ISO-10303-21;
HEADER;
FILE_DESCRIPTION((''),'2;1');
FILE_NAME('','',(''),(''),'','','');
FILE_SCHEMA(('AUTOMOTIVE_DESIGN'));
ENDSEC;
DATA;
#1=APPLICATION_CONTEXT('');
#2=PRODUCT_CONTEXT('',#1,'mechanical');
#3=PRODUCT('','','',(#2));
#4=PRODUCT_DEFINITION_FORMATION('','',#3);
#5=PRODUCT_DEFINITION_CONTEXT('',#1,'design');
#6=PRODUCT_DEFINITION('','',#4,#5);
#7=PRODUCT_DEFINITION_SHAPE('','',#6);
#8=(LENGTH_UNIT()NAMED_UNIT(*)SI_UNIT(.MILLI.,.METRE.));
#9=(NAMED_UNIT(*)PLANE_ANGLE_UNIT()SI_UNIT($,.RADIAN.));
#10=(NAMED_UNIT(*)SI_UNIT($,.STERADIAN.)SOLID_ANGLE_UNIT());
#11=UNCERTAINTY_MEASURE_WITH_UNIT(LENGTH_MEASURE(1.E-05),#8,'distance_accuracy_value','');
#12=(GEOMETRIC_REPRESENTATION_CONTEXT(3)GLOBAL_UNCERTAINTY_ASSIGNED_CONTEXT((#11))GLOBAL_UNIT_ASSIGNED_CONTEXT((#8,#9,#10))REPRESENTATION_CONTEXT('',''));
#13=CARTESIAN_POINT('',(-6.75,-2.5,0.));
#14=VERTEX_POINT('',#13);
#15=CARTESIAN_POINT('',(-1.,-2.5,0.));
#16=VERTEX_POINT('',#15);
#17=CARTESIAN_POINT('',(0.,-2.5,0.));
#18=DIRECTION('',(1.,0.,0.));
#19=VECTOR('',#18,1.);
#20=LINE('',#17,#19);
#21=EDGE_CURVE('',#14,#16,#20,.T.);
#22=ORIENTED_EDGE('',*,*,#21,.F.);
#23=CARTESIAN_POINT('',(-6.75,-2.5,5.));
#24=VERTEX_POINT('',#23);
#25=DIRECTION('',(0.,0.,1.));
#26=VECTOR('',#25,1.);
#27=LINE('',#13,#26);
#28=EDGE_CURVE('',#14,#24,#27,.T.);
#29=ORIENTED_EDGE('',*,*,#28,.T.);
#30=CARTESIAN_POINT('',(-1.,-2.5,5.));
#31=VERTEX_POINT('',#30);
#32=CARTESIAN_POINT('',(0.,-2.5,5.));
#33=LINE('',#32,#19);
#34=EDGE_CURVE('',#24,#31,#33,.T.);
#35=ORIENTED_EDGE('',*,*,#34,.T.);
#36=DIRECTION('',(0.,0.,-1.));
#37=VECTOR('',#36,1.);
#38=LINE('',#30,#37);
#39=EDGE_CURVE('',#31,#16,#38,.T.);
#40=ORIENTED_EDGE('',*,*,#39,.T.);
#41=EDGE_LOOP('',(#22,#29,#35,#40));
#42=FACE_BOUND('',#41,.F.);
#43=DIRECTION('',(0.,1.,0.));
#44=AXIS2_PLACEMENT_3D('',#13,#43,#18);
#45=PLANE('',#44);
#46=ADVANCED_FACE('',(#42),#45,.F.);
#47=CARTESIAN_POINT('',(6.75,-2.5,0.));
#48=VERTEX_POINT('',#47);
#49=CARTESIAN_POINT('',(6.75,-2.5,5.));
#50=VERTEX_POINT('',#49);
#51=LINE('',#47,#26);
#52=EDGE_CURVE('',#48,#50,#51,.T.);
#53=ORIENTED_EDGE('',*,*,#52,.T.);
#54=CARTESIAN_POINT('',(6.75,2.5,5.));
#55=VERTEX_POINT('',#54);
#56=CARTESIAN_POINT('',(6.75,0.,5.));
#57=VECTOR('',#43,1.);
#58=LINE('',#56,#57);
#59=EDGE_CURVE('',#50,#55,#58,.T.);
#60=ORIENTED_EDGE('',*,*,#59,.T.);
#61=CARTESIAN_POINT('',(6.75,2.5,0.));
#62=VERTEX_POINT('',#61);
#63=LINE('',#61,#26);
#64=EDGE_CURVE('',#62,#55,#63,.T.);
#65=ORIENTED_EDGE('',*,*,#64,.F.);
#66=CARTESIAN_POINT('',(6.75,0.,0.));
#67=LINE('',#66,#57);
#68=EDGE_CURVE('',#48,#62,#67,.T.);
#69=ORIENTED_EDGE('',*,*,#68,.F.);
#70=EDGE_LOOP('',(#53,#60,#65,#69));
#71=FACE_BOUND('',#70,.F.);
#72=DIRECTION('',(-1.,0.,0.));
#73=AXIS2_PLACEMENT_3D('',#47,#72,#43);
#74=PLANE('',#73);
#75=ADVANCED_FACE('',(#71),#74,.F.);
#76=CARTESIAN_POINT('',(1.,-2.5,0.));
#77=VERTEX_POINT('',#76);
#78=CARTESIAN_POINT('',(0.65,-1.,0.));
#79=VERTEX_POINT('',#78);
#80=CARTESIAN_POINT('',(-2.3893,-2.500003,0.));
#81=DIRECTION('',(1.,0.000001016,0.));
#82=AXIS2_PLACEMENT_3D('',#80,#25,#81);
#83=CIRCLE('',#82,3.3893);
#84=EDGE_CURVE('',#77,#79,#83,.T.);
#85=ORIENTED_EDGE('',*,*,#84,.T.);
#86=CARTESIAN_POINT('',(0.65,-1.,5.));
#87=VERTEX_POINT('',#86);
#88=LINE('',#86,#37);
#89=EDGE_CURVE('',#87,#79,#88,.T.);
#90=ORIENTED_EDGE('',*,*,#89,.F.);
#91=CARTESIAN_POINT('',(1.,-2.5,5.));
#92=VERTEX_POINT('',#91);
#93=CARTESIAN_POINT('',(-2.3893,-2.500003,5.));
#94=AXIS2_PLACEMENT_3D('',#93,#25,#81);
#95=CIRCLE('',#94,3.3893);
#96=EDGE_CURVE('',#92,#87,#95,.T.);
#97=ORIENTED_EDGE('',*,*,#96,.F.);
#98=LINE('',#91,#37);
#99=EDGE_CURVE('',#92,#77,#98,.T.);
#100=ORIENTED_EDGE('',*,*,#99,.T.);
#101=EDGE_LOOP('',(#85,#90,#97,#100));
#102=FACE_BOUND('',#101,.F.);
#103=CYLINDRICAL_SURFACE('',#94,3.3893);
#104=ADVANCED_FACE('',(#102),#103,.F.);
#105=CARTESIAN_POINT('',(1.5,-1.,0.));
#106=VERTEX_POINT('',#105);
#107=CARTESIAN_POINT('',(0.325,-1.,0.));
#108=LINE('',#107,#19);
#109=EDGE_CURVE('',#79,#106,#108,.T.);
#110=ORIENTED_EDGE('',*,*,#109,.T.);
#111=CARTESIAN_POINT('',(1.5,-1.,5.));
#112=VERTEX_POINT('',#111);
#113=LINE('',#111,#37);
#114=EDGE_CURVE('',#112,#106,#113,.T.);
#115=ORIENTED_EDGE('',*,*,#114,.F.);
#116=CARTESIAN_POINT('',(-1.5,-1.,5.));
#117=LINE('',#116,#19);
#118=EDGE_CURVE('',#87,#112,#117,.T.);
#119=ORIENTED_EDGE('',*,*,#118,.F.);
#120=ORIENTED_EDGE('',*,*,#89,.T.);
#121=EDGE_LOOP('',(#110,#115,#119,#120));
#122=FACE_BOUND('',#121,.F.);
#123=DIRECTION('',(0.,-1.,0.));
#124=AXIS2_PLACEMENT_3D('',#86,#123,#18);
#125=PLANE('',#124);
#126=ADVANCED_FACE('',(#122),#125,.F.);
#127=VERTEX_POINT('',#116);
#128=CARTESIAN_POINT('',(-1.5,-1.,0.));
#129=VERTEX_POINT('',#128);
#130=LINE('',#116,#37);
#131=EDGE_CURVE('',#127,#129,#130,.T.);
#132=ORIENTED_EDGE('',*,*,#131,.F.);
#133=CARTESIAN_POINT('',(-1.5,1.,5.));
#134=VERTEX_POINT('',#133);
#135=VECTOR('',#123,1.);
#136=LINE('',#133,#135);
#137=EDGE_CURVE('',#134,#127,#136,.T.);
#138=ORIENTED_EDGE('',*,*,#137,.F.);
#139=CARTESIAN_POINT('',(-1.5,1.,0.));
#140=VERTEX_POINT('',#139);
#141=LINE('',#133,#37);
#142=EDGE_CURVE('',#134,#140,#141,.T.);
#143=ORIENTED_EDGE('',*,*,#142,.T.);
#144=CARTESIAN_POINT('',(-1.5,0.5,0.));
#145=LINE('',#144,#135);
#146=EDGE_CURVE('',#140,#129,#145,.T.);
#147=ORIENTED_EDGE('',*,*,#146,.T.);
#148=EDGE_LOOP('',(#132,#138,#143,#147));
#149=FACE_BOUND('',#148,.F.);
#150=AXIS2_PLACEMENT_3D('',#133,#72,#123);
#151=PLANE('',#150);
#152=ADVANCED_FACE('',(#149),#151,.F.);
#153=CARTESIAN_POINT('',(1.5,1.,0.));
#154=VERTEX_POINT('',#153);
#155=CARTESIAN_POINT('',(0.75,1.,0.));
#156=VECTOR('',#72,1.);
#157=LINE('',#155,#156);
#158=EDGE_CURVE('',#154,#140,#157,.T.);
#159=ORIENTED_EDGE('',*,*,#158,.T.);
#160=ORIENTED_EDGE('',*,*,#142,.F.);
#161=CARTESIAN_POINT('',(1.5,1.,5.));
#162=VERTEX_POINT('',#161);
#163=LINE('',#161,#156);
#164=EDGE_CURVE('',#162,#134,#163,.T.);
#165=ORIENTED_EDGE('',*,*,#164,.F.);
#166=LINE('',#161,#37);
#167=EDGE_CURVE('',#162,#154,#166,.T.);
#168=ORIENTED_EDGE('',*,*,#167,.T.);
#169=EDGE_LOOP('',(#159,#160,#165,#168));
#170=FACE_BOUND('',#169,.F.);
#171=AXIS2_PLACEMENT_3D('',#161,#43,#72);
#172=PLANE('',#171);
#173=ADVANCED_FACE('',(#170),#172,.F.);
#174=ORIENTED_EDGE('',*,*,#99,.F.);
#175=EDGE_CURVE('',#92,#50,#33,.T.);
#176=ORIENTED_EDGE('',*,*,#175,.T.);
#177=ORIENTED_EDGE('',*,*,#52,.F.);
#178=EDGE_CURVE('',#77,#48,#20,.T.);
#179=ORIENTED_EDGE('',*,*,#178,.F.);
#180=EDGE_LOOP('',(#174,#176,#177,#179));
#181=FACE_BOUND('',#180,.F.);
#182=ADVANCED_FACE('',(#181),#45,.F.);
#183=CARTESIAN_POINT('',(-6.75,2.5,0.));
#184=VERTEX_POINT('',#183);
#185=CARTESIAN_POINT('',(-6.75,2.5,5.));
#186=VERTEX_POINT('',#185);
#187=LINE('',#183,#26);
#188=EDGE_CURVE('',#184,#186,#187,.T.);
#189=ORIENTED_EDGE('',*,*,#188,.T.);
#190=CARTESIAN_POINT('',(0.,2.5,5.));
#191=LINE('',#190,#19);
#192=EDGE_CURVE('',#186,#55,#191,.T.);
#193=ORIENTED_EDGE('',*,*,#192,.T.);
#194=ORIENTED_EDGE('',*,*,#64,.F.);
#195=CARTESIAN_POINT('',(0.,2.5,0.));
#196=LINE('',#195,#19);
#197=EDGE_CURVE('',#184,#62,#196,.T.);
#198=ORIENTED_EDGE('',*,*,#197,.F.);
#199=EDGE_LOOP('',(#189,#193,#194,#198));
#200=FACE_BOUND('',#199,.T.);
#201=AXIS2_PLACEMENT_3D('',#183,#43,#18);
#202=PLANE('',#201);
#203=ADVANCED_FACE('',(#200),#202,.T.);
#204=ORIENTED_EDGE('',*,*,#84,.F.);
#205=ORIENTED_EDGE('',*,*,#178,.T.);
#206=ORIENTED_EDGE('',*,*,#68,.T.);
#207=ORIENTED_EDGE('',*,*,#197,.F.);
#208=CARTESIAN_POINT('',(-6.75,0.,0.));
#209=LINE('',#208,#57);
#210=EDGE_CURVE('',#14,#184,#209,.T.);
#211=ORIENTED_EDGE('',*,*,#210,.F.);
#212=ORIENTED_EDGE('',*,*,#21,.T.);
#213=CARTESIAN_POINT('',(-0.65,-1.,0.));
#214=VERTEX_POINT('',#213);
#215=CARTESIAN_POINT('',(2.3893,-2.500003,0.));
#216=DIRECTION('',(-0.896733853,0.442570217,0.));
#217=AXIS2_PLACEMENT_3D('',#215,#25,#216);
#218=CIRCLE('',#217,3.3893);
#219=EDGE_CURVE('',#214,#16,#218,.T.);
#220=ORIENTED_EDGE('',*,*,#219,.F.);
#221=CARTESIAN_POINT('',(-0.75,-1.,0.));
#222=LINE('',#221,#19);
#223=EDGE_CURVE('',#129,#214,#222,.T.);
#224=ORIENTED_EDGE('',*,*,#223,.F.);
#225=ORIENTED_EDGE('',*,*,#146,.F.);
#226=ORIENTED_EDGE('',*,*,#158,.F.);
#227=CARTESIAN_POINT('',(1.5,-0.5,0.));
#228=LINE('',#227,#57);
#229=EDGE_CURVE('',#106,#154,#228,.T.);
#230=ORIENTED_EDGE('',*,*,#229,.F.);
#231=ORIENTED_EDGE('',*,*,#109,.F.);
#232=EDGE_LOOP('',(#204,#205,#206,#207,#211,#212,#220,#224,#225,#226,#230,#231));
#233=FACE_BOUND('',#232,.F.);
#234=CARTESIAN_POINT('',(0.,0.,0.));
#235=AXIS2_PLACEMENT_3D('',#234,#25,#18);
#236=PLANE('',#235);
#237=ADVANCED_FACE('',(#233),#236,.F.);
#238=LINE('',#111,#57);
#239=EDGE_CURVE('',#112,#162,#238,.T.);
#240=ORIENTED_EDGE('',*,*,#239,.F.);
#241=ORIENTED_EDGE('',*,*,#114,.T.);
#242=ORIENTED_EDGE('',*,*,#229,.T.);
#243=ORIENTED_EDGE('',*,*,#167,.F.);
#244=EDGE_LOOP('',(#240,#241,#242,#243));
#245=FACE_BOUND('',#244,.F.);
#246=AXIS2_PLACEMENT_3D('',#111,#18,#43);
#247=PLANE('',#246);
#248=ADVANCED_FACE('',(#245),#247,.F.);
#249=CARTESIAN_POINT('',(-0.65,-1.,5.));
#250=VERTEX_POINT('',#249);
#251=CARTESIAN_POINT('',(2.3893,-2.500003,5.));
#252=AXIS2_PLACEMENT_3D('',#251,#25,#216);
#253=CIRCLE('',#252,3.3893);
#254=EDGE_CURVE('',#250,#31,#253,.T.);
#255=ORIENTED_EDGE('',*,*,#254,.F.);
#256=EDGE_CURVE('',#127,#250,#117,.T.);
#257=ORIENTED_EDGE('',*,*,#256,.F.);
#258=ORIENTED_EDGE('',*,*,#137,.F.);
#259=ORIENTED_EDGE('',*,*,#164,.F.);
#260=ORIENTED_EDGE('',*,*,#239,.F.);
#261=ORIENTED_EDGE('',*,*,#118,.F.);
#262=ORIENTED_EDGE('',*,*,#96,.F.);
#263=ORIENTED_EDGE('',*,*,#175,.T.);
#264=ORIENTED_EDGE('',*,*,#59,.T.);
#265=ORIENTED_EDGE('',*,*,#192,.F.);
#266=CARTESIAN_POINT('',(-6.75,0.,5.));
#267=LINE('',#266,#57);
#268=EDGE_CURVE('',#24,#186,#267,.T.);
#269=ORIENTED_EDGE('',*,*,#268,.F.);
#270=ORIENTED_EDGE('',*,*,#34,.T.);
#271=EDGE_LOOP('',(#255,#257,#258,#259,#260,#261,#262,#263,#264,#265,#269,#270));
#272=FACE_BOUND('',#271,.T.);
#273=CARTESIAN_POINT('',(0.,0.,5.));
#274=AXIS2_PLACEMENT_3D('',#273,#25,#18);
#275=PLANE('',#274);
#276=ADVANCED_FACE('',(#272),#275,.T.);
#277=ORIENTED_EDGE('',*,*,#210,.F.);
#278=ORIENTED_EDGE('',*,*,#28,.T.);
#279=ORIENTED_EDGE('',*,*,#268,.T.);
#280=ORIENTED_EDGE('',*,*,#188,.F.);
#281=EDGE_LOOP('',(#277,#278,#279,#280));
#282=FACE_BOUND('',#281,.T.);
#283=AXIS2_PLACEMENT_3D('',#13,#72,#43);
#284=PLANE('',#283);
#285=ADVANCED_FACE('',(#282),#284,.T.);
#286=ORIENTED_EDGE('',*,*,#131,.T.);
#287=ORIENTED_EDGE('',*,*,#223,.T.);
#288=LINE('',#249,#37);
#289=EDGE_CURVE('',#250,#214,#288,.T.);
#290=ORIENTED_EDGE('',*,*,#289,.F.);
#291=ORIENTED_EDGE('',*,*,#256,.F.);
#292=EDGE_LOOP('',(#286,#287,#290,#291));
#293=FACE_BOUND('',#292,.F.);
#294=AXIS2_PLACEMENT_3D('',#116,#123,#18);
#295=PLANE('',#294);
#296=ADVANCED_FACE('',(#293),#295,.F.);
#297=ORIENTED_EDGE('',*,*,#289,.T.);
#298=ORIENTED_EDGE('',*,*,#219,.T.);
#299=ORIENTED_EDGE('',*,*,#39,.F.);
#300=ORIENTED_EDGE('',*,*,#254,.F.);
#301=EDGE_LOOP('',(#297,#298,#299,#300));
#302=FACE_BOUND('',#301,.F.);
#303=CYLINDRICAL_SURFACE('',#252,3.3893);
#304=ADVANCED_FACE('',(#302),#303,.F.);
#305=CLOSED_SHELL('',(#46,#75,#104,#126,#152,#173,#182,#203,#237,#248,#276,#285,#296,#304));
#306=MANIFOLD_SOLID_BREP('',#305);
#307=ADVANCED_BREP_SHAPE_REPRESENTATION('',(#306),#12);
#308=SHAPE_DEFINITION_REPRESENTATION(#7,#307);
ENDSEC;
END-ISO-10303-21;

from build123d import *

# Parameters (mm, degrees)
F0_W     = 13.5
F0_H     = 5
F1_DEPTH = 5
F3_DEPTH = 25


with BuildPart() as f1:
    # F0 (on Top) → F1 (new body)
    with BuildSketch(Plane.XY):
        Rectangle(F0_W, F0_H)
    extrude(amount=F1_DEPTH)

    # F2 (on face) → F3 (cut)
    with BuildSketch(Plane.XY.offset(5)):
        Polygon((1.5, -1), (1.5, 1), (-1.5, 1), (-1.5, -1), (-1, -1), (-1, 0.5), (1, 0.5), (1, -1), align=None)
        Polygon((0.65, -1), (1, -1), (1, 0.5), (-1, 0.5), (-1, -1), (-0.65, -1), align=None)
        with BuildLine():
            ThreePointArc((1, -2.5), (0.91134, -1.729854), (0.65, -1))
            Line((0.65, -1), (-0.65, -1))
            ThreePointArc((-0.65, -1), (-0.91134, -1.729854), (-1, -2.5))
            Line((-1, -2.5), (1, -2.5))
        make_face()
    extrude(amount=-F3_DEPTH, mode=Mode.SUBTRACT)


solid = f1.part
